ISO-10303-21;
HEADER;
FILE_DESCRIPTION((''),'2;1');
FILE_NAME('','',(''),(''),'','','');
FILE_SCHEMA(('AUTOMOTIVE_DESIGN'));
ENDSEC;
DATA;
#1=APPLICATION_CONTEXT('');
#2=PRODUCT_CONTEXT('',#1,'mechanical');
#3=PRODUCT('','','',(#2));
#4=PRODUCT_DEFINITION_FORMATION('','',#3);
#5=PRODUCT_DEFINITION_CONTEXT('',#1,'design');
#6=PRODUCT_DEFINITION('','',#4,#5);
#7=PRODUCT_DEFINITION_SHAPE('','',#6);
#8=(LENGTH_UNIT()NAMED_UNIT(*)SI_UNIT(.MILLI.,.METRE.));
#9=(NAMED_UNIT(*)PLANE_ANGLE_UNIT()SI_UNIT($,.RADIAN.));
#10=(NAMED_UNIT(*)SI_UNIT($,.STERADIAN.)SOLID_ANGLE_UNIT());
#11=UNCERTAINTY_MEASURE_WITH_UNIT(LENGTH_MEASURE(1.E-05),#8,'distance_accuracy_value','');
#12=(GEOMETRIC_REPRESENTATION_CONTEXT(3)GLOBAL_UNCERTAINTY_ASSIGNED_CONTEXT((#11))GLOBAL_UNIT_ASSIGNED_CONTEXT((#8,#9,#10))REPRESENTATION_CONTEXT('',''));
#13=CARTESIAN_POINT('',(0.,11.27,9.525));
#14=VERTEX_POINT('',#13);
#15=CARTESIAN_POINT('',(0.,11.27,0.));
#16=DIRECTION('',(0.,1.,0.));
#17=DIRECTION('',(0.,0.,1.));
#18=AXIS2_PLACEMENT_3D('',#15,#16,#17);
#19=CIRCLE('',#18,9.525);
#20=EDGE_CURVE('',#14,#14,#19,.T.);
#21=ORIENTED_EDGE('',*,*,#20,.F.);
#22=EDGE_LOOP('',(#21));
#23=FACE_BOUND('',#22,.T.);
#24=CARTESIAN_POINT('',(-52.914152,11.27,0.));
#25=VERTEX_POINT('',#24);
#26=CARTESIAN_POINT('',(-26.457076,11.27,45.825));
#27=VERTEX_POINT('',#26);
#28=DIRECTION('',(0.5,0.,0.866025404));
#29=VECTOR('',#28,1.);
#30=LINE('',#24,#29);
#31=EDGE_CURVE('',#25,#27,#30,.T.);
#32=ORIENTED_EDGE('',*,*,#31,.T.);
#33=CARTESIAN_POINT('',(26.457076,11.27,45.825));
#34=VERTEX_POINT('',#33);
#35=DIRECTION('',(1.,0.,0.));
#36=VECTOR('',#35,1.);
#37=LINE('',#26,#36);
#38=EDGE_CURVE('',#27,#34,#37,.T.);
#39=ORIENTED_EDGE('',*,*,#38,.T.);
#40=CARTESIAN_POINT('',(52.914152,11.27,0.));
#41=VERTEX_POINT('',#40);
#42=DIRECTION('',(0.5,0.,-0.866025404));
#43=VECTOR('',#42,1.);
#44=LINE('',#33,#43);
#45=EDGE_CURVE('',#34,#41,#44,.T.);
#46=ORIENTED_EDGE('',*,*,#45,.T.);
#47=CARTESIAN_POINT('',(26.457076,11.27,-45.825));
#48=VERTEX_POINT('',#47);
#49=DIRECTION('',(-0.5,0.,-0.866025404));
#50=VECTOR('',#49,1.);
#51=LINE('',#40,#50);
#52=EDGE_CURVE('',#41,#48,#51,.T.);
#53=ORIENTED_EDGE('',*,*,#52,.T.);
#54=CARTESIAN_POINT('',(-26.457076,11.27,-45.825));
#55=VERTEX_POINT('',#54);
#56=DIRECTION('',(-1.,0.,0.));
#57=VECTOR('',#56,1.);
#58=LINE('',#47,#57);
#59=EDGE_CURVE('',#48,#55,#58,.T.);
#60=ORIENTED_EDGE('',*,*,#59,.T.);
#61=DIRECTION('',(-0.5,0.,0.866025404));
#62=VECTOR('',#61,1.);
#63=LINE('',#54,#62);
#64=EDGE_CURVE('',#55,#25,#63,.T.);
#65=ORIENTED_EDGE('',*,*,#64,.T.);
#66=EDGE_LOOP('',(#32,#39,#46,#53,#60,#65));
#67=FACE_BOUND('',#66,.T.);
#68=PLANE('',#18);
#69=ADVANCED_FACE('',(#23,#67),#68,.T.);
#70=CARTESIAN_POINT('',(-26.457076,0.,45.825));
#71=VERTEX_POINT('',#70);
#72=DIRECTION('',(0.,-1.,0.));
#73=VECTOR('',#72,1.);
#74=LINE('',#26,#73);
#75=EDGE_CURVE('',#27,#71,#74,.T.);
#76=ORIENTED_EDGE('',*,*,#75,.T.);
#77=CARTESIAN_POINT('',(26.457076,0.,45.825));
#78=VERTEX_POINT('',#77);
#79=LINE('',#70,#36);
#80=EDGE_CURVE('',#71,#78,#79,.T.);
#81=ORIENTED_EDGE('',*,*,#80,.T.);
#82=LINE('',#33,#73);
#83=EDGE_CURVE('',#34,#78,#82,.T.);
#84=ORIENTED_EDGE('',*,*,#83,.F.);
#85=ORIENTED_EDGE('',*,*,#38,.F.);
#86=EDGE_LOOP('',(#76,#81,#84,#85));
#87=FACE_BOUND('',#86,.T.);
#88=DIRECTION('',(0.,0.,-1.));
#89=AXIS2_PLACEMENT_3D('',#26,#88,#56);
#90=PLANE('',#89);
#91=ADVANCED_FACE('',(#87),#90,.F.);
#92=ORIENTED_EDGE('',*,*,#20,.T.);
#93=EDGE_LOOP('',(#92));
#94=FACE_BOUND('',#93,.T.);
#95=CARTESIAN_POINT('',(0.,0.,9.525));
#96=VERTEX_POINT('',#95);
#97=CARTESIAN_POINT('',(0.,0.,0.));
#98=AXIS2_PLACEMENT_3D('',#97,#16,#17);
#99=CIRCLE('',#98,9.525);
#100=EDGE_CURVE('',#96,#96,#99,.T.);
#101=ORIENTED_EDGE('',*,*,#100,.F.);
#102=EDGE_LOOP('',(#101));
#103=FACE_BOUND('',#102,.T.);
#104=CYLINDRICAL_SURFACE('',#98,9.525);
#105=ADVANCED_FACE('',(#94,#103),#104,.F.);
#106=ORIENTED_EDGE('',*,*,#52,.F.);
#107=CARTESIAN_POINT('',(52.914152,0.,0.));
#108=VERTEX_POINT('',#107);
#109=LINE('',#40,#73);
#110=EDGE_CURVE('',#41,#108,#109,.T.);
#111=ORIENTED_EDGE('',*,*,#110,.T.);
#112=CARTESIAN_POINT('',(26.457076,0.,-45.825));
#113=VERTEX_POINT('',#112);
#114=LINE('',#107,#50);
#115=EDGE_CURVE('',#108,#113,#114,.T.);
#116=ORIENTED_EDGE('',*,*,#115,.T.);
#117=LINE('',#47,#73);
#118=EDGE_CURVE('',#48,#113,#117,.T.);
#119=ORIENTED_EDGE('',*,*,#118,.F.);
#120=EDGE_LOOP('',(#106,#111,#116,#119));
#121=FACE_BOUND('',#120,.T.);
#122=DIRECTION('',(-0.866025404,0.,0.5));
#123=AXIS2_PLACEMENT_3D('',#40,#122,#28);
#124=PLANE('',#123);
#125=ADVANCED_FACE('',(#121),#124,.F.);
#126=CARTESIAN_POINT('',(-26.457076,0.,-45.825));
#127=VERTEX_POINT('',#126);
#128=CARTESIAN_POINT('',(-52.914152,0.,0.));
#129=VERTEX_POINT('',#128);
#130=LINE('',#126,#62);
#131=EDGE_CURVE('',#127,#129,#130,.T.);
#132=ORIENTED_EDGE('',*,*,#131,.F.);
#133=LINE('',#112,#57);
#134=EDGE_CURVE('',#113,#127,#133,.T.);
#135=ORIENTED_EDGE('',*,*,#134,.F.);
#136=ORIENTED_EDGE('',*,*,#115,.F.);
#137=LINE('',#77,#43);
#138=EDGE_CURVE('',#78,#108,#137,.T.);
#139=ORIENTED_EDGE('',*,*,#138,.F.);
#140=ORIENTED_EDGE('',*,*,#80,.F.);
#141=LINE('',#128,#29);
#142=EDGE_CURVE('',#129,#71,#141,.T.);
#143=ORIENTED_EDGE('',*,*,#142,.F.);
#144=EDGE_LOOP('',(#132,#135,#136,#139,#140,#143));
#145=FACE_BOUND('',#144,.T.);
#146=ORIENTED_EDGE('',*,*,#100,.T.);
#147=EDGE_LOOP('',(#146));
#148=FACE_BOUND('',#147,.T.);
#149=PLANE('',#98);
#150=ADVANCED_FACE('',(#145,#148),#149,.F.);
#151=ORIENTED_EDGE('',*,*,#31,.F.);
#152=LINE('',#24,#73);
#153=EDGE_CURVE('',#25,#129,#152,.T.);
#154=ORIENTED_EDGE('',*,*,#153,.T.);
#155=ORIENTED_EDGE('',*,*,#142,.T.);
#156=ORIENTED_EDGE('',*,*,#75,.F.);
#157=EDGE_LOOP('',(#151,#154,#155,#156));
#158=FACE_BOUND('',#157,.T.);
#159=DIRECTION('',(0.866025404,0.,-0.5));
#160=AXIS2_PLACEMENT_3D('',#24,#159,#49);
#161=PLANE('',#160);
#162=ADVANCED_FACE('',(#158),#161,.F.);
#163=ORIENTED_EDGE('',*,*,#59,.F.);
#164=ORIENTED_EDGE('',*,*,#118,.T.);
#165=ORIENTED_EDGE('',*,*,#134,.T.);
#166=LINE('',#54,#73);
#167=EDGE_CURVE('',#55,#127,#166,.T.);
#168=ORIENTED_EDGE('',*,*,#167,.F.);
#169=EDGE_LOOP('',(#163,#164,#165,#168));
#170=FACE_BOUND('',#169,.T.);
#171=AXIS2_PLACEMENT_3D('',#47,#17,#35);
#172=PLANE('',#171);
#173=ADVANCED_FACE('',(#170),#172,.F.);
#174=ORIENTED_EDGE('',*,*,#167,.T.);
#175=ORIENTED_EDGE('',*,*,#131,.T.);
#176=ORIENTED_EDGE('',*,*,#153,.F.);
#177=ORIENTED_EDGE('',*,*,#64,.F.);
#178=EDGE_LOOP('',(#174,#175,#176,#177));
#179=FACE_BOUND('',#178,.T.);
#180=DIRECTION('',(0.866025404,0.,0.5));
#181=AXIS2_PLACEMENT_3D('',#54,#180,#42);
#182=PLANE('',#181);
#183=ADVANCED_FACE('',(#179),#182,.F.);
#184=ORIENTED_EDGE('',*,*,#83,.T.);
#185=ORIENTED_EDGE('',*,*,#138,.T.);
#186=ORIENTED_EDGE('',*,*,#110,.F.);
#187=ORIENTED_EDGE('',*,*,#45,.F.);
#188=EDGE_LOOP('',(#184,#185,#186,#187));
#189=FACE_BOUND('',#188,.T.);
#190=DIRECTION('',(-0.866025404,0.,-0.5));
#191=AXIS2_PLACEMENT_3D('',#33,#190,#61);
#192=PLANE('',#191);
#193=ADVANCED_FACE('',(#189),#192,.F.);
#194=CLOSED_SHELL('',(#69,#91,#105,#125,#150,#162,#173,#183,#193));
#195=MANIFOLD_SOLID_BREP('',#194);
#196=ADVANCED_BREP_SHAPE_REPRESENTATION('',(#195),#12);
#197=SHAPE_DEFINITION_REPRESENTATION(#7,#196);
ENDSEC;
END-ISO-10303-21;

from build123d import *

# Parameters (mm, degrees)
BOSS_EXTRUDE1_DEPTH = 11.27
SKETCH2_R           = 9.525
CUT_EXTRUDE1_DEPTH  = 71.900289315


with BuildPart() as part:
    # Sketch1 → Boss-Extrude1 (new body)
    with BuildSketch(Plane(origin=(0, 0, 0), x_dir=(1, 0, 0), z_dir=(0, 1, 0))):
        Polygon((26.457076086, 45.825), (-26.457076086, 45.825), (-52.914152171, 0), (-26.457076086, -45.825), (26.457076086, -45.825), (52.914152171, 0), align=None)
    extrude(amount=BOSS_EXTRUDE1_DEPTH)

    # Sketch2 → Cut-Extrude1 (cut, through all)
    with BuildSketch(Plane(origin=(0, 11.27, 0), x_dir=(1, 0, 0), z_dir=(0, 1, 0))):
        with Locations(Location((0, 0, 0), (0, 0, 270))):
            Circle(SKETCH2_R)
    extrude(amount=-CUT_EXTRUDE1_DEPTH, mode=Mode.SUBTRACT)


solid = part.part
